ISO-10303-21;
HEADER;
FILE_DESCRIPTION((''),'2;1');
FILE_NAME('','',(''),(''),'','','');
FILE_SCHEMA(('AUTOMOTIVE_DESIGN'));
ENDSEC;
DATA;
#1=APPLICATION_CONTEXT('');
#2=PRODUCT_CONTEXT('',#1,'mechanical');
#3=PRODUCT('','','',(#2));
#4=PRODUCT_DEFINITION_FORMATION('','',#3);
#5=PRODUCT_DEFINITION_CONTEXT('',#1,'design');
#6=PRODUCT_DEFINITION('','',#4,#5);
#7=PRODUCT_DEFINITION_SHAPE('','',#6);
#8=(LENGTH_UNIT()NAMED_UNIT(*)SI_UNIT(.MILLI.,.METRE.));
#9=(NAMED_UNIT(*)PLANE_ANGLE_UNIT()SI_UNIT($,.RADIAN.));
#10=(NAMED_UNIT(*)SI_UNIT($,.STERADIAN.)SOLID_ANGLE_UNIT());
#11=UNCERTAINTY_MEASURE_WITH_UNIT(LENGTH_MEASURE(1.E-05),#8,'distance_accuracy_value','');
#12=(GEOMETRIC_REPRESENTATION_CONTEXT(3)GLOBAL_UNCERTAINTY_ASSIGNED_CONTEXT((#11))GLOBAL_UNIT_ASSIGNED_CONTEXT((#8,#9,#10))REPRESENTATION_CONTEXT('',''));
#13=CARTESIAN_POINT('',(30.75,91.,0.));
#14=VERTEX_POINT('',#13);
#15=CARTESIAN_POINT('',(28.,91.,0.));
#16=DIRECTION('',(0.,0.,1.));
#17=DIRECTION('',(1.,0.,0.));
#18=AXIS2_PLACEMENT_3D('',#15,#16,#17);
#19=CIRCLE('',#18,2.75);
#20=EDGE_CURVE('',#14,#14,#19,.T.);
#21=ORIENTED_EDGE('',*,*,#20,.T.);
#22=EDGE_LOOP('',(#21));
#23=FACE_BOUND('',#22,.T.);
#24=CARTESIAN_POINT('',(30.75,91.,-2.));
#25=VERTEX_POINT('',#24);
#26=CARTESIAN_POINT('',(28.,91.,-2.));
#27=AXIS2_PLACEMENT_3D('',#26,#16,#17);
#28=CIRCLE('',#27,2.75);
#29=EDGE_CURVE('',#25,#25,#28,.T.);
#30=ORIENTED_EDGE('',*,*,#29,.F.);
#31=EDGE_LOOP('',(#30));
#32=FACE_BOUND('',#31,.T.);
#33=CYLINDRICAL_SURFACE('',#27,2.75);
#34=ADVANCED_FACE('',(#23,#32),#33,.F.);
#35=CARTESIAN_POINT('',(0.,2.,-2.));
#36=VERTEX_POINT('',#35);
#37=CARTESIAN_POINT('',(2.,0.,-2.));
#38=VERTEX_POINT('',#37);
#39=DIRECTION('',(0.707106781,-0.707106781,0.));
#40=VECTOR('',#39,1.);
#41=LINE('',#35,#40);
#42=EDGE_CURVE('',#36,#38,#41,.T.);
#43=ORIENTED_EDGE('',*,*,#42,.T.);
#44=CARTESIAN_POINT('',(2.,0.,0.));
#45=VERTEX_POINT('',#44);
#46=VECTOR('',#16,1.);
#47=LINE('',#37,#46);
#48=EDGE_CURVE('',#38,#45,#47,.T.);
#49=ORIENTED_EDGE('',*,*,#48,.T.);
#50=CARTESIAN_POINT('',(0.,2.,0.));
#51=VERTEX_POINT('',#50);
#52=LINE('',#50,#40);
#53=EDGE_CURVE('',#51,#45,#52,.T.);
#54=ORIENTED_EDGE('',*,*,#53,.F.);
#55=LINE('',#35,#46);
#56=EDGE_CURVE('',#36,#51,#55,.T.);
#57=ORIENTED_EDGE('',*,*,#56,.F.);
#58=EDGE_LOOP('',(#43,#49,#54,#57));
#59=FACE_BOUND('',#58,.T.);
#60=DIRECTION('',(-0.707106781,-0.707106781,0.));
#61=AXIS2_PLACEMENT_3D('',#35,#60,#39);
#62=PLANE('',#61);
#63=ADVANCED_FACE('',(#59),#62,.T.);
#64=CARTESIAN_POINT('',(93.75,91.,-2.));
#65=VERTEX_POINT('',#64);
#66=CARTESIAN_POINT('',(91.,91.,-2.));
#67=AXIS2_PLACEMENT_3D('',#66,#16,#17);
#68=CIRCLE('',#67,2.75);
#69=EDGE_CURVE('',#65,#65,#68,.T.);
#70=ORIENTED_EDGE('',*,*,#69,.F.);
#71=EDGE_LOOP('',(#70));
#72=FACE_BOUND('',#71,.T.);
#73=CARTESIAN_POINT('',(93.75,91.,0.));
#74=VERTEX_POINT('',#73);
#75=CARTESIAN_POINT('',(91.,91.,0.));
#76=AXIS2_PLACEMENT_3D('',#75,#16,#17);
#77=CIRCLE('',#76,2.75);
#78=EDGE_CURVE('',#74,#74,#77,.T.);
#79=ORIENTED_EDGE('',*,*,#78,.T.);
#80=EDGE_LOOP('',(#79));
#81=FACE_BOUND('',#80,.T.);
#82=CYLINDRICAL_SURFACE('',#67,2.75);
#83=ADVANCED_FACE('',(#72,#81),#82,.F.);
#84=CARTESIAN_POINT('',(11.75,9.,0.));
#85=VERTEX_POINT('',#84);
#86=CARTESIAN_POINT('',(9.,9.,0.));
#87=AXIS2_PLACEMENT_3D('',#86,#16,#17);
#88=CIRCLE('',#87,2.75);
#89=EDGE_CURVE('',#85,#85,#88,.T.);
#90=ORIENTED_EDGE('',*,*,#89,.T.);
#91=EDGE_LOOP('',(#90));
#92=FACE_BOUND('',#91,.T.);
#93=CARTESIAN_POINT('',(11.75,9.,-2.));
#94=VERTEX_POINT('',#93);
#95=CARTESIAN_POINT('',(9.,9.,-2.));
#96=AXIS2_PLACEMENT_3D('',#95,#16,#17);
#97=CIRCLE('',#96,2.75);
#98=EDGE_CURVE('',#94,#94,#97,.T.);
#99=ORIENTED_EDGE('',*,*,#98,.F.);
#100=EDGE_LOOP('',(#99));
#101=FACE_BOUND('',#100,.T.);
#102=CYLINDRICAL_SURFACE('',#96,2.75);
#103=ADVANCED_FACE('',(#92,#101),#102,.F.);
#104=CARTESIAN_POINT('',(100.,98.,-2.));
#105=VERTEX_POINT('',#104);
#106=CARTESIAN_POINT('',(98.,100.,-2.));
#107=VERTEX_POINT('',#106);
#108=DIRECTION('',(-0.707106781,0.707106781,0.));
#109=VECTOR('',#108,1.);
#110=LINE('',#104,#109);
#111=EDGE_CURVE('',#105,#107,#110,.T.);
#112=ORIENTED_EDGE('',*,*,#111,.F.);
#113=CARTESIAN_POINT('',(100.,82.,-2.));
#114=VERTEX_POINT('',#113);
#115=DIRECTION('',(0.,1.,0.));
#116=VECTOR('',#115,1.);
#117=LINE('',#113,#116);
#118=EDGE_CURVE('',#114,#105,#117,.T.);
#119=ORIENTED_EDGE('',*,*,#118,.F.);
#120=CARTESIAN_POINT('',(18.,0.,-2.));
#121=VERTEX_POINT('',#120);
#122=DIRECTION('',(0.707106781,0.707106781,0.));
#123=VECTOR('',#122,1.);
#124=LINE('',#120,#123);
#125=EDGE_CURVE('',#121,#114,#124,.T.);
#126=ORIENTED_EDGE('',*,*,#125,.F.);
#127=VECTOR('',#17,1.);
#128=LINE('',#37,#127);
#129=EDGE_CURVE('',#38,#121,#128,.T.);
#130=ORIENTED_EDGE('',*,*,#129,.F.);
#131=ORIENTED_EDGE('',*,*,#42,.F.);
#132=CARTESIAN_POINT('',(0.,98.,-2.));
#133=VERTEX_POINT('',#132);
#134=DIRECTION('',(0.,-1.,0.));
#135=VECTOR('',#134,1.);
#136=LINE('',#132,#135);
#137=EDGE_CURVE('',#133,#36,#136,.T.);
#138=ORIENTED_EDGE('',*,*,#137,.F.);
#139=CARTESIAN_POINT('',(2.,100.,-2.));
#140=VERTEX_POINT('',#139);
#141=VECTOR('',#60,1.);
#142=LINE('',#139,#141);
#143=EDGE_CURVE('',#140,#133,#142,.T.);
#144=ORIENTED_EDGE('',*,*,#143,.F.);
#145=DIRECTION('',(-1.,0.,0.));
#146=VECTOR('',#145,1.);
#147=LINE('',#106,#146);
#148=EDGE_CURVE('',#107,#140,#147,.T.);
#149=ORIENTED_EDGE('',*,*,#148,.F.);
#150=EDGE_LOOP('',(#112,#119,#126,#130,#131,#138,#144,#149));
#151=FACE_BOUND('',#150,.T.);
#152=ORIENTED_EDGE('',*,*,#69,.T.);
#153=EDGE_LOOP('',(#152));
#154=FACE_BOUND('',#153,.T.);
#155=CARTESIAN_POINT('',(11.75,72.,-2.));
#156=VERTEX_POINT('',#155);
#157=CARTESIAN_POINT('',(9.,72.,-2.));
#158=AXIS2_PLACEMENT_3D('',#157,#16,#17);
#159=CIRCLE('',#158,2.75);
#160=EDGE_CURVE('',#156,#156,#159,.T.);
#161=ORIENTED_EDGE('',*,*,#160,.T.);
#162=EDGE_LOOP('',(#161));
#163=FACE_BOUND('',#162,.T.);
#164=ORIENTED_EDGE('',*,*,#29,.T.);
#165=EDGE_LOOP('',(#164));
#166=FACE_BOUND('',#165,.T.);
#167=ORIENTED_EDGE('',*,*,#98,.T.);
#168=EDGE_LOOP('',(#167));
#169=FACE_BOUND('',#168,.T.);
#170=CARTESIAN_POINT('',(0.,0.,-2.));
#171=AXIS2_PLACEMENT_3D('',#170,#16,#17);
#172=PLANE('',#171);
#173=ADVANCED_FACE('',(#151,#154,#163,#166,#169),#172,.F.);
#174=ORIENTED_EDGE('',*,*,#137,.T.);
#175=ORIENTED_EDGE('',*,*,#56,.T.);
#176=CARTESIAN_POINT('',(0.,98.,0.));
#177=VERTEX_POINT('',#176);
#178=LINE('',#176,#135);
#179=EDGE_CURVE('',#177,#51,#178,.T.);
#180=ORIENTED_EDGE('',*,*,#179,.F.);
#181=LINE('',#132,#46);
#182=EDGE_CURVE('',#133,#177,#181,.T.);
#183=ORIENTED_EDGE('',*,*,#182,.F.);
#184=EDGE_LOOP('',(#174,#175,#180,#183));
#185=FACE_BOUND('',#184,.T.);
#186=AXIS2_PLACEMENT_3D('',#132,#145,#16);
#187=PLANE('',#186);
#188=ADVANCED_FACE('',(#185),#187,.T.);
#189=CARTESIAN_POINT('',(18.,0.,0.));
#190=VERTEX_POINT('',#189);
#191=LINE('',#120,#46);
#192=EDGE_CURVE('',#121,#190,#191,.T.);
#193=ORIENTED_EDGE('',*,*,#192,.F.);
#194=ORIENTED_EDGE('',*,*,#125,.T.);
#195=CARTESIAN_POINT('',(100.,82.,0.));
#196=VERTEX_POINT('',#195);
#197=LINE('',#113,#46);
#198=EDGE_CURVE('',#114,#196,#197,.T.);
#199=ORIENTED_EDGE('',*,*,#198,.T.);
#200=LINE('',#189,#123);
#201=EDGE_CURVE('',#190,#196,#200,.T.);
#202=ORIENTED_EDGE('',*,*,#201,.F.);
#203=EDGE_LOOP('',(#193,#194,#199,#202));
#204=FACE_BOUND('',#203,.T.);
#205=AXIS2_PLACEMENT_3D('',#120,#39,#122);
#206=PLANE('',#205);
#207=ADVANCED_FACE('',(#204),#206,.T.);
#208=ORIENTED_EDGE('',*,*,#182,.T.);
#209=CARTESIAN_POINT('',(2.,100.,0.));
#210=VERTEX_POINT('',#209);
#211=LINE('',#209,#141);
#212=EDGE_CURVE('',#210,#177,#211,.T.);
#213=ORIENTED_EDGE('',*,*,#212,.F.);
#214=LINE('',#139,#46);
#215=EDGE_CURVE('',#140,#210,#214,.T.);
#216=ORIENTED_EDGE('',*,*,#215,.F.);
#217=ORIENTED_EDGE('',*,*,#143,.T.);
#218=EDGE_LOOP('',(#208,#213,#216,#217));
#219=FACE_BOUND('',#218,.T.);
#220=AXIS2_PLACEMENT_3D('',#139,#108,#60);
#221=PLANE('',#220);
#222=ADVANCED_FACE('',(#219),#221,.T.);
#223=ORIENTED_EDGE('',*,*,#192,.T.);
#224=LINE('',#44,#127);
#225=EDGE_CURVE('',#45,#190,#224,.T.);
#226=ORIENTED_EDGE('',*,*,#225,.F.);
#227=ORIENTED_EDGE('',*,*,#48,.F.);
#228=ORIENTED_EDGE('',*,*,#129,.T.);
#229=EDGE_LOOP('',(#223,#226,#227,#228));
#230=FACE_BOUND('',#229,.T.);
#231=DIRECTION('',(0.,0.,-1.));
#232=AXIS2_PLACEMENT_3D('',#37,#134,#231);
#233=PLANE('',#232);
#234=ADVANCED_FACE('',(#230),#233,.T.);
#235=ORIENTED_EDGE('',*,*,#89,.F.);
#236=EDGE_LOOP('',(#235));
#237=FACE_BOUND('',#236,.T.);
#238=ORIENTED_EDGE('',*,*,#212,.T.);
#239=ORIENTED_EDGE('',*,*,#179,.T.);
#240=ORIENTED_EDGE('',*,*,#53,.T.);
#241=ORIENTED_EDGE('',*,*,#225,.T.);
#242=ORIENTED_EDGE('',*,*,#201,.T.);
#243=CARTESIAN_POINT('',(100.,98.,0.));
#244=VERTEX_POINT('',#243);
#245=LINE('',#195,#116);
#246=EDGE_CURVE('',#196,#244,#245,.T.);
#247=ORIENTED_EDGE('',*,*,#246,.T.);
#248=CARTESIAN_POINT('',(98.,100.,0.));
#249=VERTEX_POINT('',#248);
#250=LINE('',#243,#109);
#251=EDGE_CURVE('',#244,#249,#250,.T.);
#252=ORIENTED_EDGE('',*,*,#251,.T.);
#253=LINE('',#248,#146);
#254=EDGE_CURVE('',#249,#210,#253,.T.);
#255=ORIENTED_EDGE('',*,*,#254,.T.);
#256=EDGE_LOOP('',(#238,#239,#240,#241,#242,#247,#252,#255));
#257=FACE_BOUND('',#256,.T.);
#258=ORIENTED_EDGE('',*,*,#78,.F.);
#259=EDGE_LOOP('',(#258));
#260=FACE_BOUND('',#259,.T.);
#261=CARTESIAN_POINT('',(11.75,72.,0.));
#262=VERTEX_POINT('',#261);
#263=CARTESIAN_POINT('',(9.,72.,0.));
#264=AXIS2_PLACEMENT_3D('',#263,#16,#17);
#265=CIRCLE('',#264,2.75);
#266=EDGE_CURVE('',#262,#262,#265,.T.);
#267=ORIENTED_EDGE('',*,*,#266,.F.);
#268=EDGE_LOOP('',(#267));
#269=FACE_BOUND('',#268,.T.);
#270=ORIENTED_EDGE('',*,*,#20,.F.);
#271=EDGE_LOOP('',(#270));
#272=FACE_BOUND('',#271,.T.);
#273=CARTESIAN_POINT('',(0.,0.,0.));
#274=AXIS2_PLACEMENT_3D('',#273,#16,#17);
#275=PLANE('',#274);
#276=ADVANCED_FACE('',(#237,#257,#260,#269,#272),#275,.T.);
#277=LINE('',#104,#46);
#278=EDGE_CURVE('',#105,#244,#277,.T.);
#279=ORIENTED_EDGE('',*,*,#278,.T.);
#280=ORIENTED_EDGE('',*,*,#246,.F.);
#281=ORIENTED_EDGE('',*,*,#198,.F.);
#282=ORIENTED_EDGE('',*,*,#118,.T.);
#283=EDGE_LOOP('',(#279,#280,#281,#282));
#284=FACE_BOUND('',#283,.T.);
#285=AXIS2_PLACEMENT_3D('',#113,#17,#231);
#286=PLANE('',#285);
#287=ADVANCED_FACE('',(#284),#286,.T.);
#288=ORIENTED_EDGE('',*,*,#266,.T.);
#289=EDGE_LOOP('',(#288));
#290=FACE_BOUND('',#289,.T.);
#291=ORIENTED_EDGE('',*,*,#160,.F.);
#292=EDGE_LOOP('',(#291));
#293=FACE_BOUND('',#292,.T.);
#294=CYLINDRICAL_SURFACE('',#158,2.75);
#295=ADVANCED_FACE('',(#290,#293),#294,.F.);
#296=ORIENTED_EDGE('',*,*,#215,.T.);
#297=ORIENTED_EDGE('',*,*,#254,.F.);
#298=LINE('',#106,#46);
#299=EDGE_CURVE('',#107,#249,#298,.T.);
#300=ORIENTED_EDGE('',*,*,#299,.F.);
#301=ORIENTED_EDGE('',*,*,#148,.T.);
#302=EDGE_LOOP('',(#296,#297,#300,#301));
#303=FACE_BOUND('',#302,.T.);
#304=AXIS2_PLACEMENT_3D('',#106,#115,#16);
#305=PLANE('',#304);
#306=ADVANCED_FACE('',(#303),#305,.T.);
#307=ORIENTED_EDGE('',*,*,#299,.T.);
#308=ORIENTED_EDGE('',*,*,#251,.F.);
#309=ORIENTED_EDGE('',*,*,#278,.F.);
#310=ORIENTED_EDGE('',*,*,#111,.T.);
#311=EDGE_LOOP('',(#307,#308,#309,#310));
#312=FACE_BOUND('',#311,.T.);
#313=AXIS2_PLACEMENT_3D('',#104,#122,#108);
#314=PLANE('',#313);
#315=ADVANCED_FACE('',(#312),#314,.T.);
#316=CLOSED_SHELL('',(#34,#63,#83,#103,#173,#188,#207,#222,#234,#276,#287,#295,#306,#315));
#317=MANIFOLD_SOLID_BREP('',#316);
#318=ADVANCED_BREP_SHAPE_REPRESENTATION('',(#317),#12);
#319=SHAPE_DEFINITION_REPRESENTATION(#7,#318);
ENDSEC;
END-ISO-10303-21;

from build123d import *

# Parameters (mm, degrees)
SKETCH1_R           = 2.75
BOSS_EXTRUDE1_DEPTH = 2


with BuildPart() as part:
    # Sketch1 → Boss-Extrude1 (new body)
    with BuildSketch(Plane.XY):
        Polygon((0, 98), (0, 2), (2, 0), (18, 0), (100, 82), (100, 98), (98, 100), (2, 100), align=None)
        with Locations((91, 91)):
            Circle(SKETCH1_R, mode=Mode.SUBTRACT)
        with Locations((28, 91)):
            Circle(SKETCH1_R, mode=Mode.SUBTRACT)
        with Locations((9, 9)):
            Circle(SKETCH1_R, mode=Mode.SUBTRACT)
        with Locations((9, 72)):
            Circle(SKETCH1_R, mode=Mode.SUBTRACT)
    extrude(amount=-BOSS_EXTRUDE1_DEPTH)


solid = part.part
